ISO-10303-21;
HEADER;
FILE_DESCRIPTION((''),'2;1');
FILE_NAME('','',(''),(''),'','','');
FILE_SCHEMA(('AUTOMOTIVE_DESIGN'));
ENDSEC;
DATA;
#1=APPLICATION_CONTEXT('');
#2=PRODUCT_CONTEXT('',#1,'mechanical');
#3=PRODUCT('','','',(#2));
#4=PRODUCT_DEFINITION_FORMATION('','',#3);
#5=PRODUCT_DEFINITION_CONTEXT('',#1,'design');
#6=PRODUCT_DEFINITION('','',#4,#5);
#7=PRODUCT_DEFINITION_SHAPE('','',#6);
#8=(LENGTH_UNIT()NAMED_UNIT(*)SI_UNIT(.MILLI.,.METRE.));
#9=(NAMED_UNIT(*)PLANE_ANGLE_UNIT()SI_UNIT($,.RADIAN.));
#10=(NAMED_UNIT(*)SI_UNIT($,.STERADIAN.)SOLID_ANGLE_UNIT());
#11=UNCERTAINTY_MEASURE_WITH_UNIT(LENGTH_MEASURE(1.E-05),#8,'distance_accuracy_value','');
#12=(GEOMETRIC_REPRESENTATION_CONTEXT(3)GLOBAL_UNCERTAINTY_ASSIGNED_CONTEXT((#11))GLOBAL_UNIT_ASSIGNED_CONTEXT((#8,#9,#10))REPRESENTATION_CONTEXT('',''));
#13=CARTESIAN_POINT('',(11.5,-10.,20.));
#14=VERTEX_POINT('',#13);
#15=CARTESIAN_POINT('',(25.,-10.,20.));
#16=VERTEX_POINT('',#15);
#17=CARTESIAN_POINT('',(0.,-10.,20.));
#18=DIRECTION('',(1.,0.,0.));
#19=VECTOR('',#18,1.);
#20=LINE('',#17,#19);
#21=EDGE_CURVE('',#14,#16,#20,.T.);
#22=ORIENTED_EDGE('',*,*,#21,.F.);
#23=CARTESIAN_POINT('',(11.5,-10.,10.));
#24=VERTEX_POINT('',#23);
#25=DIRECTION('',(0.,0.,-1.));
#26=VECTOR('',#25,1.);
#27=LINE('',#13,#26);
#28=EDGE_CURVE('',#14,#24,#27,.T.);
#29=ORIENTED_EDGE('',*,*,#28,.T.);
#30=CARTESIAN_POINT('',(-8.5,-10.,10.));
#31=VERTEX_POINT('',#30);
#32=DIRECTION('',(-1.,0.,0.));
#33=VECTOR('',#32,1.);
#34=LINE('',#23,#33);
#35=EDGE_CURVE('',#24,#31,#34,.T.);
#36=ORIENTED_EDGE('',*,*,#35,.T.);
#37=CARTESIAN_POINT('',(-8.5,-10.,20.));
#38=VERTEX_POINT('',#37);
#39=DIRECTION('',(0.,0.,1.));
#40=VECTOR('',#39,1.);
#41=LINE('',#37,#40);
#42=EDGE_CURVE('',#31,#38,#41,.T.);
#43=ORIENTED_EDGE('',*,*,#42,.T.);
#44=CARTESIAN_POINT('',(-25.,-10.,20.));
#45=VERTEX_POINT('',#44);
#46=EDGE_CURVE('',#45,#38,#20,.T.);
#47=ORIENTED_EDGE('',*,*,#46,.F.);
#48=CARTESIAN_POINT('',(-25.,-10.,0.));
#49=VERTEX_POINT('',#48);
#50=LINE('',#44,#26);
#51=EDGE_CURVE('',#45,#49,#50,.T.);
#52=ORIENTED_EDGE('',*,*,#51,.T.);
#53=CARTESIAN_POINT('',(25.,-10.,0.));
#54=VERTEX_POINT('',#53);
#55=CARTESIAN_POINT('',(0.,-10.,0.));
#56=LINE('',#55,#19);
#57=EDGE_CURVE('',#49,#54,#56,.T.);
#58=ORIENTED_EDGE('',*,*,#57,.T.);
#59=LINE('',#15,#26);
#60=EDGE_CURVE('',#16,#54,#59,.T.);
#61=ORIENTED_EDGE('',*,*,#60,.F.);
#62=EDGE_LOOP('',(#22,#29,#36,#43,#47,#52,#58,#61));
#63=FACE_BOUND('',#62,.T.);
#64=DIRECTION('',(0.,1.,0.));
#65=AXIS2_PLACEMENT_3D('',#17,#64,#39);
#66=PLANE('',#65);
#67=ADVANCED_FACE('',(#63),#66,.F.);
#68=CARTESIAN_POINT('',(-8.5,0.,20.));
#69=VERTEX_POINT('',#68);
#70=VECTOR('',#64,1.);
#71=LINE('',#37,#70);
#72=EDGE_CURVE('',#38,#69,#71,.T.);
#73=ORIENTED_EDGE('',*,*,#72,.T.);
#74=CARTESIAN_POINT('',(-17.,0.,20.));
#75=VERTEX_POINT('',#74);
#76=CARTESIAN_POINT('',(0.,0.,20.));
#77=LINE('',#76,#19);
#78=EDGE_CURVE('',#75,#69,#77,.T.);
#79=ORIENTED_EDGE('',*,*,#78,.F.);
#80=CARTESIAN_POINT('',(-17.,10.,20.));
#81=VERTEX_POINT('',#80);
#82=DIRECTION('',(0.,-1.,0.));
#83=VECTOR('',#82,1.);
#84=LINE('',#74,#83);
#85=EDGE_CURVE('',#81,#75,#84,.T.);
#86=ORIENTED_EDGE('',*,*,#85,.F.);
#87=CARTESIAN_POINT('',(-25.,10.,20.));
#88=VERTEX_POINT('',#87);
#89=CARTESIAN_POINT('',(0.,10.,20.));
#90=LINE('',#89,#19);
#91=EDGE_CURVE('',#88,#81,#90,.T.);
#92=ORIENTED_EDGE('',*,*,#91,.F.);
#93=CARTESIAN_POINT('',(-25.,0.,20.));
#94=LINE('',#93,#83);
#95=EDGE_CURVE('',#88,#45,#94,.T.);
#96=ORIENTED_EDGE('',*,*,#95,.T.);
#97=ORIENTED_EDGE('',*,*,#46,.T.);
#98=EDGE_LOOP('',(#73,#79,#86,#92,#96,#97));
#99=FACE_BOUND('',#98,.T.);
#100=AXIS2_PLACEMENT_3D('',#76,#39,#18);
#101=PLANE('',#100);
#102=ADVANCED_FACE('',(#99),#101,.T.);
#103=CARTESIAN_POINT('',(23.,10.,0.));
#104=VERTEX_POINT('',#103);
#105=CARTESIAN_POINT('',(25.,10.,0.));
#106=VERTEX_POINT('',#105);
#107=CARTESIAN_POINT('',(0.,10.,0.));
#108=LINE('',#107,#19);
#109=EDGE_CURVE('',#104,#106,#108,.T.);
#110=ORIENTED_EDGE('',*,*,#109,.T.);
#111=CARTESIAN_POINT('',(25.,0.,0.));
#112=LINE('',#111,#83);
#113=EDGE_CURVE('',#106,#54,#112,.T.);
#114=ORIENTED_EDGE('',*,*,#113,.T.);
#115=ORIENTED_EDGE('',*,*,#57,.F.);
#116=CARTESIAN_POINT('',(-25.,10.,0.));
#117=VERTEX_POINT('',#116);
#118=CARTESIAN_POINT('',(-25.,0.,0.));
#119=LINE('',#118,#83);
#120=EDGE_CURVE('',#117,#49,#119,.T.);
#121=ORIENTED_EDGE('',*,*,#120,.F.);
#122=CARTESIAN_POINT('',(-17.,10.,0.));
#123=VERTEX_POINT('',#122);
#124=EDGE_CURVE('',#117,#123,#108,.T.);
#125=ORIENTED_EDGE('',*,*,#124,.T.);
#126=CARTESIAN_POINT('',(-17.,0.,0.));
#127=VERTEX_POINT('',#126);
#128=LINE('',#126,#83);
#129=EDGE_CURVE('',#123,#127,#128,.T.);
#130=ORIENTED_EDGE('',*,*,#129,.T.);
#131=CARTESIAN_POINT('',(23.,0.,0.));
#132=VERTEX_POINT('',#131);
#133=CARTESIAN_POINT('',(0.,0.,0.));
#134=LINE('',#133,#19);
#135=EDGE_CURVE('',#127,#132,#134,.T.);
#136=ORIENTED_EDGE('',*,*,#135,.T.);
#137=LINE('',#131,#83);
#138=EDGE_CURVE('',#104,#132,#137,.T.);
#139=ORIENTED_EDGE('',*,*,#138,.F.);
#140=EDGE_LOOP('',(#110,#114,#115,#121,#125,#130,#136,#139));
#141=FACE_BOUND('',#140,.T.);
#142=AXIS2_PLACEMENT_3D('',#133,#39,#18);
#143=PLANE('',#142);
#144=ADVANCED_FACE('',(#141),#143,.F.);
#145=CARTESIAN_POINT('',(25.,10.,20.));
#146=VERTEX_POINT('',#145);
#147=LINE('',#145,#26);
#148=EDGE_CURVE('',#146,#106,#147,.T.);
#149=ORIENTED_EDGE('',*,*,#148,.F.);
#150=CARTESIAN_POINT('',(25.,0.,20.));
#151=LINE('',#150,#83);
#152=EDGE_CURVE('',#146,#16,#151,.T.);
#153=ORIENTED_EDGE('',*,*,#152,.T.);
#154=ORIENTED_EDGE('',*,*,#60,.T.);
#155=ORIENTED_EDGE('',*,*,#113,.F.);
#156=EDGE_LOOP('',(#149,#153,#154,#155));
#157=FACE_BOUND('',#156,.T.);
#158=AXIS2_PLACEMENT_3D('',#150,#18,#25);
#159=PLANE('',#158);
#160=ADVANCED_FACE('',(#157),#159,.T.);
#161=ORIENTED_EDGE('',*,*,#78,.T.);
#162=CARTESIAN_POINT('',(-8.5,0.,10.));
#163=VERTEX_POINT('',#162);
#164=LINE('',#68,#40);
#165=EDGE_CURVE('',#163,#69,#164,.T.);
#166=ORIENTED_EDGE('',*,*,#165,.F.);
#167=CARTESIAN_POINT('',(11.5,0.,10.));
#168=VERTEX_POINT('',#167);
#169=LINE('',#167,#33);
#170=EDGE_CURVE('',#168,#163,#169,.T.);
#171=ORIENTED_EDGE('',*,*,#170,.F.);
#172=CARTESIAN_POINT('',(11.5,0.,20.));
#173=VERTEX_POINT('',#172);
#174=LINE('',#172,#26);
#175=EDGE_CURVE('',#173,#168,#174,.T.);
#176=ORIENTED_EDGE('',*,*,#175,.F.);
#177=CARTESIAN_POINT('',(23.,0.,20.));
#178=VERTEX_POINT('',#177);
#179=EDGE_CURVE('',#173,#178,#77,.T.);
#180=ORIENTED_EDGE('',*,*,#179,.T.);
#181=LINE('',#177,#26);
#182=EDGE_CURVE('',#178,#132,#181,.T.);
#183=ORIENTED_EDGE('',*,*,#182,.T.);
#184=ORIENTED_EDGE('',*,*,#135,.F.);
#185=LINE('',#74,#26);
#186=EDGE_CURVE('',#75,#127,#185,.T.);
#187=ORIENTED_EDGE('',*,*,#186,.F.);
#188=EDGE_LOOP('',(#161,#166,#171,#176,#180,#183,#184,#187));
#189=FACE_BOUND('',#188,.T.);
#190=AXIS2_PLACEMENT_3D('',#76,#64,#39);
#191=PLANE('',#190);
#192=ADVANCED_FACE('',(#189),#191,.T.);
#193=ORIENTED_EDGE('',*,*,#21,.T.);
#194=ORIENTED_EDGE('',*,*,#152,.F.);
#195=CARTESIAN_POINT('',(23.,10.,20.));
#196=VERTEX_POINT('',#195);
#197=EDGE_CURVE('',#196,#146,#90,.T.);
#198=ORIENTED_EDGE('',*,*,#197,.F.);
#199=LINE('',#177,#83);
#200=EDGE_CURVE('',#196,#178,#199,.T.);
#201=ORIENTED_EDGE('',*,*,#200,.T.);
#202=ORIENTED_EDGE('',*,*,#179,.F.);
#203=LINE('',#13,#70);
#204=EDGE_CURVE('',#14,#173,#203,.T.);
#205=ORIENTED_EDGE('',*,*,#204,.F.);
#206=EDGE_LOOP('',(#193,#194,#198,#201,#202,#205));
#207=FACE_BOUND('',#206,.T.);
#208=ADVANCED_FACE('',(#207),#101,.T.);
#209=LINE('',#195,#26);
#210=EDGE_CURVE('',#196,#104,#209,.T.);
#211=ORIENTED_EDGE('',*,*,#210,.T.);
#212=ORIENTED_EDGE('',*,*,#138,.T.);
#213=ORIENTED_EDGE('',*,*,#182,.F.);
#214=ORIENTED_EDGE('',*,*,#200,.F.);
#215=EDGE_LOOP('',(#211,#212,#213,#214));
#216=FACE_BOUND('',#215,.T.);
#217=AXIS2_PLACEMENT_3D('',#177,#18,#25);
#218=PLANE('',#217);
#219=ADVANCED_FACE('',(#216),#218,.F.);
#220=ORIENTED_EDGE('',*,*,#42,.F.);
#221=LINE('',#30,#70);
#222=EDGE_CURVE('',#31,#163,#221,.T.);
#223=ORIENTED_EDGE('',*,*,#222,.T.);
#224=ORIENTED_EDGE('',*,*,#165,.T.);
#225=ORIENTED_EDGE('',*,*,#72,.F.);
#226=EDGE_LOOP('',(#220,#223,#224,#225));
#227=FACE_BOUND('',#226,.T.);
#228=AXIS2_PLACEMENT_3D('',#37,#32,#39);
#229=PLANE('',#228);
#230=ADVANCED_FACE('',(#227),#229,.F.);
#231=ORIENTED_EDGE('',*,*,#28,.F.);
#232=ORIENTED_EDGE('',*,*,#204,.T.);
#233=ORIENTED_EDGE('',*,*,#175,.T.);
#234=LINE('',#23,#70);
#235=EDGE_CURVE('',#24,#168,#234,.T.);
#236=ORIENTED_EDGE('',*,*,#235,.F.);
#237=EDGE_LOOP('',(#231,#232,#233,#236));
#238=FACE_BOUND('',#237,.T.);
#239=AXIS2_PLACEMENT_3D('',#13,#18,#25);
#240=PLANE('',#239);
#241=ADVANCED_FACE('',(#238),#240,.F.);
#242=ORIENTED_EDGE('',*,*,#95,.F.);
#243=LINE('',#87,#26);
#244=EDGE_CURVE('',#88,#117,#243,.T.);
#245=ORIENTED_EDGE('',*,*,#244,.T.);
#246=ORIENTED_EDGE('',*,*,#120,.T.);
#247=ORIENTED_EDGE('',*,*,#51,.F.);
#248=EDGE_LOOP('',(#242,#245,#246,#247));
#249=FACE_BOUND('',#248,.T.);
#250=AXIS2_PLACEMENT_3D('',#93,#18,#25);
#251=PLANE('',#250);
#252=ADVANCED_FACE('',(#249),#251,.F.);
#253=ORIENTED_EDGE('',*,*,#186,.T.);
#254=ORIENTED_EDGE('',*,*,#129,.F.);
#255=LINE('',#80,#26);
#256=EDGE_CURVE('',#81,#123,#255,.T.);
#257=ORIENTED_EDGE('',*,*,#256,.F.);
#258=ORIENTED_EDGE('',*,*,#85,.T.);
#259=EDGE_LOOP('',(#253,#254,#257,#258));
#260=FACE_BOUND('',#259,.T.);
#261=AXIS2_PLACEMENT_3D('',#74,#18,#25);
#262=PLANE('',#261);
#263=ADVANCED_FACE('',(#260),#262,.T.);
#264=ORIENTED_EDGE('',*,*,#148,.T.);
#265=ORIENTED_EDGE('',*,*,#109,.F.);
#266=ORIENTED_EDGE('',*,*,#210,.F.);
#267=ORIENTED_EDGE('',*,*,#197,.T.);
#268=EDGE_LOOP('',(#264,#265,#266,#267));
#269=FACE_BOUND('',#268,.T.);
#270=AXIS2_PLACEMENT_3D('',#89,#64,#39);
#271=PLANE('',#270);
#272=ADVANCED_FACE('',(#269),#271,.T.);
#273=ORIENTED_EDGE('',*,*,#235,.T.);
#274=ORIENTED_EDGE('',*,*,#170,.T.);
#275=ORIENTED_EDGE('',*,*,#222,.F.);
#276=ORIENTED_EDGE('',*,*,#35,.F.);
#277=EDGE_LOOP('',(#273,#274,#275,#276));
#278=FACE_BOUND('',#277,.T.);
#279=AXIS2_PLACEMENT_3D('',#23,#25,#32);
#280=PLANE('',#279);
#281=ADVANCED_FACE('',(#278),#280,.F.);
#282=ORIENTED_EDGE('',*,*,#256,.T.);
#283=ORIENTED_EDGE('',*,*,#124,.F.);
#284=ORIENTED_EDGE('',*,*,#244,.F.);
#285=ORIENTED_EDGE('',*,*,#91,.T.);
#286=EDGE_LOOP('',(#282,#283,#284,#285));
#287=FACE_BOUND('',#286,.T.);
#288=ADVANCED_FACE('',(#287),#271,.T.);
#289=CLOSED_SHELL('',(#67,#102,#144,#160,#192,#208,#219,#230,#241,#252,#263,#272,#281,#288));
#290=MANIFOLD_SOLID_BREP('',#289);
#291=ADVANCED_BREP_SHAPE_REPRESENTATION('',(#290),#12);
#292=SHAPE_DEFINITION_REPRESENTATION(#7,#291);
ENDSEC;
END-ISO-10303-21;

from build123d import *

# Parameters (mm, degrees)
EXTRUDE_1_DEPTH     = 20
SKETCH_2_W          = 20
SKETCH_2_H          = 10
CUT_EXTRUDE_1_DEPTH = 10


with BuildPart() as part:
    # 草圖1 → 填料-伸長1 (new body)
    with BuildSketch(Plane.XY):
        Polygon((-17, 10), (-25, 10), (-25, -10), (25, -10), (25, 10), (23, 10), (23, 0), (-17, 0), align=None)
    extrude(amount=EXTRUDE_1_DEPTH)

    # 草圖2 → 除料-伸長1 (cut)
    with BuildSketch(Plane(origin=(0, 0, 0), x_dir=(1, 0, 0), z_dir=(0, 1, 0))):
        with Locations((1.5, -15)):
            Rectangle(SKETCH_2_W, SKETCH_2_H)
    extrude(amount=-CUT_EXTRUDE_1_DEPTH, mode=Mode.SUBTRACT)


solid = part.part
